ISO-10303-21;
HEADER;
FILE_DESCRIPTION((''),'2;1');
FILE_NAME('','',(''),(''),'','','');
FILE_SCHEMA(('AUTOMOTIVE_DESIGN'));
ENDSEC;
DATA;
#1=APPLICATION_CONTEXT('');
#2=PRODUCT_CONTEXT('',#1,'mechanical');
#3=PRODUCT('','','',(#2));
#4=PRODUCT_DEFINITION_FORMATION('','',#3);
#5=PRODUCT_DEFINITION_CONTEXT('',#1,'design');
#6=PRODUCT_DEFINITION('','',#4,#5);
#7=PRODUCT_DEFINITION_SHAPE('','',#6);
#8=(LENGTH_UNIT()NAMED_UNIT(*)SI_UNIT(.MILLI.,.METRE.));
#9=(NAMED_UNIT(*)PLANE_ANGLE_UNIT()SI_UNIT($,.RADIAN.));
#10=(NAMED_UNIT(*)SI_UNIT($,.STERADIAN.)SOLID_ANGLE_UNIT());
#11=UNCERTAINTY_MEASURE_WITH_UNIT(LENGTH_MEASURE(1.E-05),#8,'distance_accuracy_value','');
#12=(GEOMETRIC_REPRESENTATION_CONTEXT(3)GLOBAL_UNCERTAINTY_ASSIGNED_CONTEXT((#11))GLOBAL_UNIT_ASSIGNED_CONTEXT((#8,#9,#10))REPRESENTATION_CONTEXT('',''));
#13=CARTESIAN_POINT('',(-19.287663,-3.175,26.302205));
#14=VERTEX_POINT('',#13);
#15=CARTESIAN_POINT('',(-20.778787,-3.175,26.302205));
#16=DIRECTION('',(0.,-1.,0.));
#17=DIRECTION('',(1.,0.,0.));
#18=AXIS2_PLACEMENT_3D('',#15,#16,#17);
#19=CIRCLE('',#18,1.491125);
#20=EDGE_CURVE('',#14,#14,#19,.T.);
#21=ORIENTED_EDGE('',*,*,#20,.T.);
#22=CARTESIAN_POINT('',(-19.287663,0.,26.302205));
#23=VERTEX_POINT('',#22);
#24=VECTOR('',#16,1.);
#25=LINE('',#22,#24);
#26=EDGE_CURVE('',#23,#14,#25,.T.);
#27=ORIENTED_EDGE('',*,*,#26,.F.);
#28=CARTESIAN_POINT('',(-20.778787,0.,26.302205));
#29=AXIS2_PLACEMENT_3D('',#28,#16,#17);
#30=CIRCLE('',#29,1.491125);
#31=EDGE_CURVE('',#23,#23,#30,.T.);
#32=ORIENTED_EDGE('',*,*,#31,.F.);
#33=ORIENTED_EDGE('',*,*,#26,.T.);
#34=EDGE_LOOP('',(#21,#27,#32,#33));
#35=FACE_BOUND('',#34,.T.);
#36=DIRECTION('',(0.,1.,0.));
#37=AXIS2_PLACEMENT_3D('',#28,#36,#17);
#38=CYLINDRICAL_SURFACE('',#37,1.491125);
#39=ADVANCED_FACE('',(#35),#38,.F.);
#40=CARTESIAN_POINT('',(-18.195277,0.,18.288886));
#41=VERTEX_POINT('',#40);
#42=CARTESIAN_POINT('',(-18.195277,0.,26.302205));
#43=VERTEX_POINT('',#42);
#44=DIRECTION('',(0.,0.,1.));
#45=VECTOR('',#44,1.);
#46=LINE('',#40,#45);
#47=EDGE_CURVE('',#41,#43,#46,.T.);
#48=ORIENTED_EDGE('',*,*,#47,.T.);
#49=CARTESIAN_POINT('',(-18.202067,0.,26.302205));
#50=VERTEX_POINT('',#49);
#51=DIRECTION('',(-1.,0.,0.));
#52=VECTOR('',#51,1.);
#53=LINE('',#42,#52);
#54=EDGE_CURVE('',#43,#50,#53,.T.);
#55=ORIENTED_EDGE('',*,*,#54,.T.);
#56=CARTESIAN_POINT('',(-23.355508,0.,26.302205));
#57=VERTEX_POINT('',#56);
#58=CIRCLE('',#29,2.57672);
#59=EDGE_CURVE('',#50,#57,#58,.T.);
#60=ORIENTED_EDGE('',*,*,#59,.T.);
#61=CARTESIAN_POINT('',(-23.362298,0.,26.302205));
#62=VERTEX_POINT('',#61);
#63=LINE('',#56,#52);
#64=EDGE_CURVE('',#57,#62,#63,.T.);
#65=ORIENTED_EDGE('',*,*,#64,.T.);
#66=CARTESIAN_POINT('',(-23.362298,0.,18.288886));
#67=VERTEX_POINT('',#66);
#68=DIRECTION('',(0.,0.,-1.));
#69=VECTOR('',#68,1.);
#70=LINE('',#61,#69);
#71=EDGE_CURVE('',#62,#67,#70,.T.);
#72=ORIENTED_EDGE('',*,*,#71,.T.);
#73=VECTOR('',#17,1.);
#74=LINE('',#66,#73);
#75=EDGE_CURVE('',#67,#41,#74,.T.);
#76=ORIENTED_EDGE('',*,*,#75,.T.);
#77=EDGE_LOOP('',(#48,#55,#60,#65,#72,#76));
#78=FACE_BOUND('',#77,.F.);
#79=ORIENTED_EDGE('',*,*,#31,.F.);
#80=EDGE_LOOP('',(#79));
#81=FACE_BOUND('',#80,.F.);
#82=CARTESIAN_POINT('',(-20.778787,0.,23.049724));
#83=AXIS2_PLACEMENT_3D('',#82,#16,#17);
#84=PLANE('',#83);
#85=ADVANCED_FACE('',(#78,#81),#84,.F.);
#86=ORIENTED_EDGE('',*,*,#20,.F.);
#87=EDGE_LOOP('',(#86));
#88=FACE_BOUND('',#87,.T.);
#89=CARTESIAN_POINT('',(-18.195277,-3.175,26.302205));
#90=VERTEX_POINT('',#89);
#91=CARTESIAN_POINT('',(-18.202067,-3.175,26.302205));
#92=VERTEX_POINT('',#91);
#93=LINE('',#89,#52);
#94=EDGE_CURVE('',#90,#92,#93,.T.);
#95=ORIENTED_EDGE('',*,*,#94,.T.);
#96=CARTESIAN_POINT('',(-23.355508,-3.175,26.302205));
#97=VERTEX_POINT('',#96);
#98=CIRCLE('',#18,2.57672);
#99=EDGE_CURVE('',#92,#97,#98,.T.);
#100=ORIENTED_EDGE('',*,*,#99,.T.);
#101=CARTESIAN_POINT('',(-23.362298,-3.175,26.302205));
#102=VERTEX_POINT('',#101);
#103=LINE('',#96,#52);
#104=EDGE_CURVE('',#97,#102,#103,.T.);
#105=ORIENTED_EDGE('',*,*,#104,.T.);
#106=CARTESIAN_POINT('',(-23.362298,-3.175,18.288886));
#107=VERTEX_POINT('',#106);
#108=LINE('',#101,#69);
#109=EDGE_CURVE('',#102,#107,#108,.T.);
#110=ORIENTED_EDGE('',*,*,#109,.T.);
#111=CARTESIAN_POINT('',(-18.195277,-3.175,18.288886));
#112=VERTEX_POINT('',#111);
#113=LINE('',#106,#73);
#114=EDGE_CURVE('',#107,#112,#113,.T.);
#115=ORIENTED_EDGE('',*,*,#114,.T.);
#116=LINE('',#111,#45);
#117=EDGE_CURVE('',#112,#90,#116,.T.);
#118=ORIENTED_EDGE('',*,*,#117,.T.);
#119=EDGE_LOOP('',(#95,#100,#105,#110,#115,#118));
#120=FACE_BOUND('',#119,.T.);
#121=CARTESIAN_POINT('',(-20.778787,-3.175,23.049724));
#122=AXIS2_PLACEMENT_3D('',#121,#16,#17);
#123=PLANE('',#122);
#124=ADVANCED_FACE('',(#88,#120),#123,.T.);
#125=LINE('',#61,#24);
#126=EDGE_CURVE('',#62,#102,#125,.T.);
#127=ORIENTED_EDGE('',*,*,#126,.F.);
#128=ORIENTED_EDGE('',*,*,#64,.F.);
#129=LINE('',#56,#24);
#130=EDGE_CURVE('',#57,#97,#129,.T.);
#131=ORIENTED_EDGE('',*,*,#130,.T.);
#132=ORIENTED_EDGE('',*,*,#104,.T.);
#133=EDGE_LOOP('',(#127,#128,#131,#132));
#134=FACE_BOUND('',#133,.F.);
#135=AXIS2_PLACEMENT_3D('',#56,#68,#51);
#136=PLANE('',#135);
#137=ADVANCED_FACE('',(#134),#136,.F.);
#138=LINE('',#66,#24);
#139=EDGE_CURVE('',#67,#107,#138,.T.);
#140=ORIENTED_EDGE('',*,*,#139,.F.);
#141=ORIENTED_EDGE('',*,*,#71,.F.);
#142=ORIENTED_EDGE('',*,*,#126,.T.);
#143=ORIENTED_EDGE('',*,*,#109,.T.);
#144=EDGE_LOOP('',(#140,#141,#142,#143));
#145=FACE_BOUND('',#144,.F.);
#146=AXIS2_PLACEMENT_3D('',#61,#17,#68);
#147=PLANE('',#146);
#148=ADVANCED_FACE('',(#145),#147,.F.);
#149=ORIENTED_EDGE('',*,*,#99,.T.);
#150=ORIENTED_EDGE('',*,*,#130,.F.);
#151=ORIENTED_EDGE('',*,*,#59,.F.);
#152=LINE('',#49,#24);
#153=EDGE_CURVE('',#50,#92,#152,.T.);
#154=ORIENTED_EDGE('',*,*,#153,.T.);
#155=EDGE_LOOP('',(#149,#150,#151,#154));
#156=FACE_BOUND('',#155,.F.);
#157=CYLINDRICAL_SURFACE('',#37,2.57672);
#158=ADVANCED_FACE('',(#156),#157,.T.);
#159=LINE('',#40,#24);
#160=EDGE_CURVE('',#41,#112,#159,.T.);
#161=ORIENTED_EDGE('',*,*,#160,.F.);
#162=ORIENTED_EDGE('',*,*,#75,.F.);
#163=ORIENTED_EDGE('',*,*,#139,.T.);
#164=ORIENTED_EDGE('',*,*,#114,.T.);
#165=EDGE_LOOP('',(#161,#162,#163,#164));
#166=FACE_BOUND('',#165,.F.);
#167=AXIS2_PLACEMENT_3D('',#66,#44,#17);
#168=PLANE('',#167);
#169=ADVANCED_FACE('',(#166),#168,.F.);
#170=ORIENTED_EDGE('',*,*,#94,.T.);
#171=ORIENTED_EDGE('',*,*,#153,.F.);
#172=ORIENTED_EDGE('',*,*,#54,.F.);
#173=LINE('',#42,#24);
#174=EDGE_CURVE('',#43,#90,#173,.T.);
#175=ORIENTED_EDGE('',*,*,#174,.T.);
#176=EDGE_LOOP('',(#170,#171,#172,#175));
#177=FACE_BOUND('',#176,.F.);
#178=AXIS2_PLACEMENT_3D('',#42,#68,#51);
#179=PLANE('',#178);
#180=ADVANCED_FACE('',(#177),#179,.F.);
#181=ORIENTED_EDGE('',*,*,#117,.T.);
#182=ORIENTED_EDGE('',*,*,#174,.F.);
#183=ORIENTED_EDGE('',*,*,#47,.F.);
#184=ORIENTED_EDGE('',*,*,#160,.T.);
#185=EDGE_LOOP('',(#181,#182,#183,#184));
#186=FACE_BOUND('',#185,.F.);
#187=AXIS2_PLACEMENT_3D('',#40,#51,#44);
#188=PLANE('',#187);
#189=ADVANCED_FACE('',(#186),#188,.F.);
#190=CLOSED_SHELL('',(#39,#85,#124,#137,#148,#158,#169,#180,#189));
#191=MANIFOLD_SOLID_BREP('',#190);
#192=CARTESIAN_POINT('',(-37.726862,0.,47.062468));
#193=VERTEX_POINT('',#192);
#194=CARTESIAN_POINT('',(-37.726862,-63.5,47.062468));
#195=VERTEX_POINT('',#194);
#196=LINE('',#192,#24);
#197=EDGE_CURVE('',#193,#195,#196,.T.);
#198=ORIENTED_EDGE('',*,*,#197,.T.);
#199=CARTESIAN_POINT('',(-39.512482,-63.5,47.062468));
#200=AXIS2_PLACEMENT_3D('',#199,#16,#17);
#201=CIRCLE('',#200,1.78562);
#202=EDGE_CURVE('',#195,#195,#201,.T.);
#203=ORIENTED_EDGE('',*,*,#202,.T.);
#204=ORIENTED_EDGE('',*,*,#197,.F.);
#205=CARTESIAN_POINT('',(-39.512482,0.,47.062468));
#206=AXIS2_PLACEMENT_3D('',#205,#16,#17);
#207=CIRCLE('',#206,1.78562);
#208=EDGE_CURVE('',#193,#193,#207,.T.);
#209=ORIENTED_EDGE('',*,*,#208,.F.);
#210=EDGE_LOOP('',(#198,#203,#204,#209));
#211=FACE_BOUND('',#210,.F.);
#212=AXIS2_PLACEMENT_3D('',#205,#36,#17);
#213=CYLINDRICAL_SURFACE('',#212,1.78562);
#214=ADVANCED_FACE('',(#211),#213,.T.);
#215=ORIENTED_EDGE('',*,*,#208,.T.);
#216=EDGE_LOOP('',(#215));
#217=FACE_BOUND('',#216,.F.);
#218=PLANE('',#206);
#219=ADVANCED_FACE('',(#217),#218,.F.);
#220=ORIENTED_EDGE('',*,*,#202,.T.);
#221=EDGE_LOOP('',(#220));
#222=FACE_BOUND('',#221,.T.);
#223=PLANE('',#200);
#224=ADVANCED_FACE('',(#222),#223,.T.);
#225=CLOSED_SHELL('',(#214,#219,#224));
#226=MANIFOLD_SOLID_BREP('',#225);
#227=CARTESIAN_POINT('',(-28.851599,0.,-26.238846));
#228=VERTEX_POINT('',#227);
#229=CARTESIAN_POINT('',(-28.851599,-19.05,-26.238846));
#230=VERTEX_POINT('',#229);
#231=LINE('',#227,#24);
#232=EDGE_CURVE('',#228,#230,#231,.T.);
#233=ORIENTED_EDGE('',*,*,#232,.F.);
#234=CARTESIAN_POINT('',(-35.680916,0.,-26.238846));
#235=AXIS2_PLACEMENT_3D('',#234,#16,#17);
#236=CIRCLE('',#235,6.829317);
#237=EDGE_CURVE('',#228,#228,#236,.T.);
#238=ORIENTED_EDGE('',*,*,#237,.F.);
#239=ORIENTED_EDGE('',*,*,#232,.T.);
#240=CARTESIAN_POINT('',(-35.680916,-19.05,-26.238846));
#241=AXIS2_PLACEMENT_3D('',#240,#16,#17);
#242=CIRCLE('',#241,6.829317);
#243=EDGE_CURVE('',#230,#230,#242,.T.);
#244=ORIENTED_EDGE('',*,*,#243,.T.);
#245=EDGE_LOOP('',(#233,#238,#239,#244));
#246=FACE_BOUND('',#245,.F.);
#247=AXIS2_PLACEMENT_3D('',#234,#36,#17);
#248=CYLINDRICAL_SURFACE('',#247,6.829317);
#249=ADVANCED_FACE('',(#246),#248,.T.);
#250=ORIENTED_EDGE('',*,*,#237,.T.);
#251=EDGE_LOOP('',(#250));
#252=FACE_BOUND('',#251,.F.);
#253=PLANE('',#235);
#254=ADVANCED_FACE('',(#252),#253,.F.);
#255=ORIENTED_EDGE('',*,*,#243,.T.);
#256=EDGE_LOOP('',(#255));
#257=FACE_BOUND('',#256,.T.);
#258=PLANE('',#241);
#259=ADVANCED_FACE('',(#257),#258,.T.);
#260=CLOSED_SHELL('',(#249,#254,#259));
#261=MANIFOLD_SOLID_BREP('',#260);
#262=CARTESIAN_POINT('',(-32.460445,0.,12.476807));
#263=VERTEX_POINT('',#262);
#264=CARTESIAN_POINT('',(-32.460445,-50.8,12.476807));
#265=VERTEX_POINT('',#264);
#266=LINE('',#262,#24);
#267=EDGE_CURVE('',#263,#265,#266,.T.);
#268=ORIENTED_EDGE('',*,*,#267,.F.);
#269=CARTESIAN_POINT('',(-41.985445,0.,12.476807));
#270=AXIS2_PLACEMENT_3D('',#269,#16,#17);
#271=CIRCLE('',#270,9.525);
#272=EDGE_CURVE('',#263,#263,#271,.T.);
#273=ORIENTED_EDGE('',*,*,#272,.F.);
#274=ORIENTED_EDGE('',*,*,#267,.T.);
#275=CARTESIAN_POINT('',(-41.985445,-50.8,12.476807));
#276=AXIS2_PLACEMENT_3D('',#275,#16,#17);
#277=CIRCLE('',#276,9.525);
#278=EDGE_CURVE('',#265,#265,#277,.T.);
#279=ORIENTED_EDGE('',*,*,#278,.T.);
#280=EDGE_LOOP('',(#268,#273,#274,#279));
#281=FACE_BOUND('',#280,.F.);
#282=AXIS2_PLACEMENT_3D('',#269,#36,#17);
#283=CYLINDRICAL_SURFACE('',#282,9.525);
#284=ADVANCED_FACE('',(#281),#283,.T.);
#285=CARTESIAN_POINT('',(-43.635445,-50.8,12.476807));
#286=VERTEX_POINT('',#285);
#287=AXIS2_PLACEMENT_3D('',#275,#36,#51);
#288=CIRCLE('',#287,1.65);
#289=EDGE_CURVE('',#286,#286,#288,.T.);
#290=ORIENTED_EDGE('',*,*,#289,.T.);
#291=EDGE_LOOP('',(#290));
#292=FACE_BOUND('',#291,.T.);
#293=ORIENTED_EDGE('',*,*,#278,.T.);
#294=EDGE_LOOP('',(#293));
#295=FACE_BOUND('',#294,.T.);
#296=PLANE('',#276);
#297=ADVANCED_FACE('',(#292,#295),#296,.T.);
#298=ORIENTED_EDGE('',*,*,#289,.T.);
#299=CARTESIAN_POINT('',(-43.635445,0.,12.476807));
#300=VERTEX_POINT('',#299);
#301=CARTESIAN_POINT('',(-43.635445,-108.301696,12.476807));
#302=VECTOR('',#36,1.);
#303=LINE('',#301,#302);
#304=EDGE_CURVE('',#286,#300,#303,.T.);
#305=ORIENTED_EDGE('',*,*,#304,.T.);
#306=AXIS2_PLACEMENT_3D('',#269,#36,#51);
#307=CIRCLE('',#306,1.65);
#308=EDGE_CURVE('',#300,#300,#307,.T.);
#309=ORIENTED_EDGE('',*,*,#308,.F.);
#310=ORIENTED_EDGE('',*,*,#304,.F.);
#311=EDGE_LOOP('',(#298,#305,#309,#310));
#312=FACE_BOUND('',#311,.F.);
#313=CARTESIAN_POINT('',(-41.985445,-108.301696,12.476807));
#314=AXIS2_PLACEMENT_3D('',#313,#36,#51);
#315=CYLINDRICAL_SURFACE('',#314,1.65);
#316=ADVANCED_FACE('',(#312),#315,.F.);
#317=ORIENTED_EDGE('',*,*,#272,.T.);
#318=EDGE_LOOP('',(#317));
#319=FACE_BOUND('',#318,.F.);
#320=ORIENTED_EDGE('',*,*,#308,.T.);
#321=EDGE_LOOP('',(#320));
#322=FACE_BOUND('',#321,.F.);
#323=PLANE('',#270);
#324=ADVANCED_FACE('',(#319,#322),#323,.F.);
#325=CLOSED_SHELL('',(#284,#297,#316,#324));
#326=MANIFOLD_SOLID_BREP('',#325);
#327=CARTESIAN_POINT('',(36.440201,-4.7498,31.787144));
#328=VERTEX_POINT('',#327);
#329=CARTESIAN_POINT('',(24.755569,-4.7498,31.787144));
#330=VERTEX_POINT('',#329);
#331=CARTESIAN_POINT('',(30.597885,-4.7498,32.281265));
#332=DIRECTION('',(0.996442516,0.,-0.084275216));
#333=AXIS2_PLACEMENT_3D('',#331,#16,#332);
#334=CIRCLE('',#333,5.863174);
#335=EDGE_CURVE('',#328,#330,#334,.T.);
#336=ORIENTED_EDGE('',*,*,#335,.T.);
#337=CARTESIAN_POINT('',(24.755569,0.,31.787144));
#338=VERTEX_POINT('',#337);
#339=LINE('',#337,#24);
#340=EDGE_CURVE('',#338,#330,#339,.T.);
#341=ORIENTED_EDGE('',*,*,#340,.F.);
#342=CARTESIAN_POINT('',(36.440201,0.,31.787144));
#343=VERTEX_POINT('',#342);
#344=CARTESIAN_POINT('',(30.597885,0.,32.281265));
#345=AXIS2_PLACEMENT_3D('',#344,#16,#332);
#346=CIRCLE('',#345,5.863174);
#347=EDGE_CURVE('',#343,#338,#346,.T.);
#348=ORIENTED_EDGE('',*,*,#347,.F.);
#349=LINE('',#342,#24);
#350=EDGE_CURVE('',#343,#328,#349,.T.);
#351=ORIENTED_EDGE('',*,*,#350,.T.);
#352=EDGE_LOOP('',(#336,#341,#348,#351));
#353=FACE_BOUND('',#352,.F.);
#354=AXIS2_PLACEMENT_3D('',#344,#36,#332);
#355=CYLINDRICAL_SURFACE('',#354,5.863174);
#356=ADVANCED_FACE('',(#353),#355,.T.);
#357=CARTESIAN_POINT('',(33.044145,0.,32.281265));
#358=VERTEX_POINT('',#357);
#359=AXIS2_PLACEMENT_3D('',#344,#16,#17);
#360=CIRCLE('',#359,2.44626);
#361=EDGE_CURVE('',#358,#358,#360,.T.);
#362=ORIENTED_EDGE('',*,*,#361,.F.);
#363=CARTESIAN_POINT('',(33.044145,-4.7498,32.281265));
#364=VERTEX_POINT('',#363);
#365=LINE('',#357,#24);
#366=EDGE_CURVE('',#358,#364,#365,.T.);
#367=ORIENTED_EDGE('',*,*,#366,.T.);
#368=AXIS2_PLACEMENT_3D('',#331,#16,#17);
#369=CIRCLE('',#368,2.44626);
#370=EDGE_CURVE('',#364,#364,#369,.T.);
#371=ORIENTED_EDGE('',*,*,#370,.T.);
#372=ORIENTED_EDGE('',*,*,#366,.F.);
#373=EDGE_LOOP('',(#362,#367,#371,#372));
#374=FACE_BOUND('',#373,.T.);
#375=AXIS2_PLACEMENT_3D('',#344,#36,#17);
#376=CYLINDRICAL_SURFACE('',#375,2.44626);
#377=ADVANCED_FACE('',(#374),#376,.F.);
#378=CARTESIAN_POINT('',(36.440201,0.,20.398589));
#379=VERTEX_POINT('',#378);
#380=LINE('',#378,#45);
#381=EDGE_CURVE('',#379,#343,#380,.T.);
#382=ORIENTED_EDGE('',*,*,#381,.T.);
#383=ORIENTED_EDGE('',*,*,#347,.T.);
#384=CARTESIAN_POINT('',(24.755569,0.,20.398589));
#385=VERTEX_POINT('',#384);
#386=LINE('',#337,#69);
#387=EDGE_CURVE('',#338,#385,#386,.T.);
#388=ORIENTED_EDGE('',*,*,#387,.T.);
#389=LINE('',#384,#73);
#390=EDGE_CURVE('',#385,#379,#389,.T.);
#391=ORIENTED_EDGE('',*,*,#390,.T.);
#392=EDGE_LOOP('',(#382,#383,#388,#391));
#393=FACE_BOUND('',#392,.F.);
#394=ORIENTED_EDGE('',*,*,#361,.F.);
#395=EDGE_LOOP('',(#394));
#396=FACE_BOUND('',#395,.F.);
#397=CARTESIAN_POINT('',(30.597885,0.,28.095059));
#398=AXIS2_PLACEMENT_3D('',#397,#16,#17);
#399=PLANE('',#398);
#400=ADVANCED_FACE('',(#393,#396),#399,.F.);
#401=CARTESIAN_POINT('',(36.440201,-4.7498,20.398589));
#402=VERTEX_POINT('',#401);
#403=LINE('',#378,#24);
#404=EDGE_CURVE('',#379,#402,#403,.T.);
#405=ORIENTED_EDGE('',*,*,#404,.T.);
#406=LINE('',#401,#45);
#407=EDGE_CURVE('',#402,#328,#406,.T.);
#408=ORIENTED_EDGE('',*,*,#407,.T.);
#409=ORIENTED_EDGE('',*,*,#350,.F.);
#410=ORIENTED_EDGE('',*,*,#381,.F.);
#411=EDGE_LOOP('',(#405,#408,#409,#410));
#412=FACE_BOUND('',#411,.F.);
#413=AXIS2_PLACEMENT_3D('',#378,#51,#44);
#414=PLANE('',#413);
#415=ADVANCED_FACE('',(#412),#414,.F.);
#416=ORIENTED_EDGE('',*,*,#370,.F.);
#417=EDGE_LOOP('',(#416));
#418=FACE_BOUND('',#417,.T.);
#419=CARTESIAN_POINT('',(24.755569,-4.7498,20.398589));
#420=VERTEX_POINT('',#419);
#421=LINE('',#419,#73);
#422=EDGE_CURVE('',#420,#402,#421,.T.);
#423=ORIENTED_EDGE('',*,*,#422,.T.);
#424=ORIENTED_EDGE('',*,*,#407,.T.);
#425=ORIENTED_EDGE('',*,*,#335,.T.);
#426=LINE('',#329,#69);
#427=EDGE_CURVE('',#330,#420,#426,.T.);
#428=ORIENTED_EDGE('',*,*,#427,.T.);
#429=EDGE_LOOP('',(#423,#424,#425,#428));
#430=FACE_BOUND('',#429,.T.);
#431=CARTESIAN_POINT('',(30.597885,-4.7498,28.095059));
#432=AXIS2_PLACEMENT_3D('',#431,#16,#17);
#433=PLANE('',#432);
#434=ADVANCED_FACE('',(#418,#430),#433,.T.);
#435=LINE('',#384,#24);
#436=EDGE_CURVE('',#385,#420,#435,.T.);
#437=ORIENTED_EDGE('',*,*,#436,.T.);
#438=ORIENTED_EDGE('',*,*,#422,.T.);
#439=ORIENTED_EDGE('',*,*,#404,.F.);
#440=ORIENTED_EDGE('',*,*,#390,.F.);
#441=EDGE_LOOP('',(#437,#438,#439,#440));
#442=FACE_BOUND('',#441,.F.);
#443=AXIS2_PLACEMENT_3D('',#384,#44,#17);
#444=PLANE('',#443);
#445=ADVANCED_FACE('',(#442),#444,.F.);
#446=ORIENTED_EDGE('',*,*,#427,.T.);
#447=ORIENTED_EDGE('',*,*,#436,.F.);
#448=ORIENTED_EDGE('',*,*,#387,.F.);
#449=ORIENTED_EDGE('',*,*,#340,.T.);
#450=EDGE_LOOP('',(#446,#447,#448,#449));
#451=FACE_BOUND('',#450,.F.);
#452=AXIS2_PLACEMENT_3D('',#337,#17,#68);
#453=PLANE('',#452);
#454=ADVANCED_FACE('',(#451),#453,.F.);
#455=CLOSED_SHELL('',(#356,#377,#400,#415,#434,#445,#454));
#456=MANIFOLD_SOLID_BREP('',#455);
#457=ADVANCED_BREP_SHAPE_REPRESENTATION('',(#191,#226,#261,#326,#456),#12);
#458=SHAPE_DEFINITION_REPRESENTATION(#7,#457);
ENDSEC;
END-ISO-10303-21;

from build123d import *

# Parameters (mm, degrees)
F0_R      = 9.525
F1_DEPTH  = 50.8
F3_D      = 3.3
F4_R      = 1.78562
F5_DEPTH  = 63.5
F6_R      = 6.8293171729
F7_DEPTH  = 19.05
F8_R      = 2.4462597951
F9_DEPTH  = 4.7498
F10_R     = 1.4911245413
F11_DEPTH = 3.175


with BuildPart() as f1:
    # F0 (on Front) → F1 (new body)
    with BuildSketch(Plane.XZ):
        with Locations((-41.9854447246, 12.4768065289)):
            Circle(F0_R)
    extrude(amount=F1_DEPTH)

    # F3 (through all)
    with Locations(Plane.XZ.offset(50.8)):
        with Locations((-41.9854447246, 12.4768065289)):
            Hole(F3_D / 2)


with BuildPart() as f5:
    # F4 (on Front) → F5 (new body)
    with BuildSketch(Plane.XZ):
        with Locations((-39.5124815404, 47.0624677837)):
            Circle(F4_R)
    extrude(amount=F5_DEPTH)


with BuildPart() as f7:
    # F6 (on Front) → F7 (new body)
    with BuildSketch(Plane.XZ):
        with Locations((-35.6809161603, -26.2388456613)):
            Circle(F6_R)
    extrude(amount=F7_DEPTH)


with BuildPart() as f9:
    # F8 (on Front) → F9 (new body)
    with BuildSketch(Plane.XZ):
        with BuildLine():
            Line((24.7555691749, 31.7871444005), (24.7555691749, 20.3985888511))
            Line((24.7555691749, 20.3985888511), (36.4402011037, 20.3985888511))
            Line((36.4402011037, 20.3985888511), (36.4402011037, 31.7871444005))
            ThreePointArc((36.4402011037, 31.7871444005), (30.5978851393, 38.1444387742), (24.7555691749, 31.7871444005))
        make_face()
        with Locations((30.5978851393, 32.2812646627)):
            Circle(F8_R, mode=Mode.SUBTRACT)
    extrude(amount=F9_DEPTH)


with BuildPart() as f11:
    # F10 (on Front) → F11 (new body)
    with BuildSketch(Plane.XZ):
        with BuildLine():
            Line((-23.3555076022, 26.3022053987), (-23.3622975647, 26.3022053987))
            Line((-23.3622975647, 26.3022053987), (-23.3622975647, 18.2888861746))
            Line((-23.3622975647, 18.2888861746), (-18.1952770799, 18.2888861746))
            Line((-18.1952770799, 18.2888861746), (-18.1952770799, 26.3022053987))
            Line((-18.1952770799, 26.3022053987), (-18.2020670424, 26.3022053987))
            ThreePointArc((-18.2020670424, 26.3022053987), (-20.7787873223, 28.8789256786), (-23.3555076022, 26.3022053987))
        make_face()
        with Locations((-20.7787873223, 26.3022053987)):
            Circle(F10_R, mode=Mode.SUBTRACT)
    extrude(amount=F11_DEPTH)


solid = Compound([f1.part, f5.part, f7.part, f9.part, f11.part])
